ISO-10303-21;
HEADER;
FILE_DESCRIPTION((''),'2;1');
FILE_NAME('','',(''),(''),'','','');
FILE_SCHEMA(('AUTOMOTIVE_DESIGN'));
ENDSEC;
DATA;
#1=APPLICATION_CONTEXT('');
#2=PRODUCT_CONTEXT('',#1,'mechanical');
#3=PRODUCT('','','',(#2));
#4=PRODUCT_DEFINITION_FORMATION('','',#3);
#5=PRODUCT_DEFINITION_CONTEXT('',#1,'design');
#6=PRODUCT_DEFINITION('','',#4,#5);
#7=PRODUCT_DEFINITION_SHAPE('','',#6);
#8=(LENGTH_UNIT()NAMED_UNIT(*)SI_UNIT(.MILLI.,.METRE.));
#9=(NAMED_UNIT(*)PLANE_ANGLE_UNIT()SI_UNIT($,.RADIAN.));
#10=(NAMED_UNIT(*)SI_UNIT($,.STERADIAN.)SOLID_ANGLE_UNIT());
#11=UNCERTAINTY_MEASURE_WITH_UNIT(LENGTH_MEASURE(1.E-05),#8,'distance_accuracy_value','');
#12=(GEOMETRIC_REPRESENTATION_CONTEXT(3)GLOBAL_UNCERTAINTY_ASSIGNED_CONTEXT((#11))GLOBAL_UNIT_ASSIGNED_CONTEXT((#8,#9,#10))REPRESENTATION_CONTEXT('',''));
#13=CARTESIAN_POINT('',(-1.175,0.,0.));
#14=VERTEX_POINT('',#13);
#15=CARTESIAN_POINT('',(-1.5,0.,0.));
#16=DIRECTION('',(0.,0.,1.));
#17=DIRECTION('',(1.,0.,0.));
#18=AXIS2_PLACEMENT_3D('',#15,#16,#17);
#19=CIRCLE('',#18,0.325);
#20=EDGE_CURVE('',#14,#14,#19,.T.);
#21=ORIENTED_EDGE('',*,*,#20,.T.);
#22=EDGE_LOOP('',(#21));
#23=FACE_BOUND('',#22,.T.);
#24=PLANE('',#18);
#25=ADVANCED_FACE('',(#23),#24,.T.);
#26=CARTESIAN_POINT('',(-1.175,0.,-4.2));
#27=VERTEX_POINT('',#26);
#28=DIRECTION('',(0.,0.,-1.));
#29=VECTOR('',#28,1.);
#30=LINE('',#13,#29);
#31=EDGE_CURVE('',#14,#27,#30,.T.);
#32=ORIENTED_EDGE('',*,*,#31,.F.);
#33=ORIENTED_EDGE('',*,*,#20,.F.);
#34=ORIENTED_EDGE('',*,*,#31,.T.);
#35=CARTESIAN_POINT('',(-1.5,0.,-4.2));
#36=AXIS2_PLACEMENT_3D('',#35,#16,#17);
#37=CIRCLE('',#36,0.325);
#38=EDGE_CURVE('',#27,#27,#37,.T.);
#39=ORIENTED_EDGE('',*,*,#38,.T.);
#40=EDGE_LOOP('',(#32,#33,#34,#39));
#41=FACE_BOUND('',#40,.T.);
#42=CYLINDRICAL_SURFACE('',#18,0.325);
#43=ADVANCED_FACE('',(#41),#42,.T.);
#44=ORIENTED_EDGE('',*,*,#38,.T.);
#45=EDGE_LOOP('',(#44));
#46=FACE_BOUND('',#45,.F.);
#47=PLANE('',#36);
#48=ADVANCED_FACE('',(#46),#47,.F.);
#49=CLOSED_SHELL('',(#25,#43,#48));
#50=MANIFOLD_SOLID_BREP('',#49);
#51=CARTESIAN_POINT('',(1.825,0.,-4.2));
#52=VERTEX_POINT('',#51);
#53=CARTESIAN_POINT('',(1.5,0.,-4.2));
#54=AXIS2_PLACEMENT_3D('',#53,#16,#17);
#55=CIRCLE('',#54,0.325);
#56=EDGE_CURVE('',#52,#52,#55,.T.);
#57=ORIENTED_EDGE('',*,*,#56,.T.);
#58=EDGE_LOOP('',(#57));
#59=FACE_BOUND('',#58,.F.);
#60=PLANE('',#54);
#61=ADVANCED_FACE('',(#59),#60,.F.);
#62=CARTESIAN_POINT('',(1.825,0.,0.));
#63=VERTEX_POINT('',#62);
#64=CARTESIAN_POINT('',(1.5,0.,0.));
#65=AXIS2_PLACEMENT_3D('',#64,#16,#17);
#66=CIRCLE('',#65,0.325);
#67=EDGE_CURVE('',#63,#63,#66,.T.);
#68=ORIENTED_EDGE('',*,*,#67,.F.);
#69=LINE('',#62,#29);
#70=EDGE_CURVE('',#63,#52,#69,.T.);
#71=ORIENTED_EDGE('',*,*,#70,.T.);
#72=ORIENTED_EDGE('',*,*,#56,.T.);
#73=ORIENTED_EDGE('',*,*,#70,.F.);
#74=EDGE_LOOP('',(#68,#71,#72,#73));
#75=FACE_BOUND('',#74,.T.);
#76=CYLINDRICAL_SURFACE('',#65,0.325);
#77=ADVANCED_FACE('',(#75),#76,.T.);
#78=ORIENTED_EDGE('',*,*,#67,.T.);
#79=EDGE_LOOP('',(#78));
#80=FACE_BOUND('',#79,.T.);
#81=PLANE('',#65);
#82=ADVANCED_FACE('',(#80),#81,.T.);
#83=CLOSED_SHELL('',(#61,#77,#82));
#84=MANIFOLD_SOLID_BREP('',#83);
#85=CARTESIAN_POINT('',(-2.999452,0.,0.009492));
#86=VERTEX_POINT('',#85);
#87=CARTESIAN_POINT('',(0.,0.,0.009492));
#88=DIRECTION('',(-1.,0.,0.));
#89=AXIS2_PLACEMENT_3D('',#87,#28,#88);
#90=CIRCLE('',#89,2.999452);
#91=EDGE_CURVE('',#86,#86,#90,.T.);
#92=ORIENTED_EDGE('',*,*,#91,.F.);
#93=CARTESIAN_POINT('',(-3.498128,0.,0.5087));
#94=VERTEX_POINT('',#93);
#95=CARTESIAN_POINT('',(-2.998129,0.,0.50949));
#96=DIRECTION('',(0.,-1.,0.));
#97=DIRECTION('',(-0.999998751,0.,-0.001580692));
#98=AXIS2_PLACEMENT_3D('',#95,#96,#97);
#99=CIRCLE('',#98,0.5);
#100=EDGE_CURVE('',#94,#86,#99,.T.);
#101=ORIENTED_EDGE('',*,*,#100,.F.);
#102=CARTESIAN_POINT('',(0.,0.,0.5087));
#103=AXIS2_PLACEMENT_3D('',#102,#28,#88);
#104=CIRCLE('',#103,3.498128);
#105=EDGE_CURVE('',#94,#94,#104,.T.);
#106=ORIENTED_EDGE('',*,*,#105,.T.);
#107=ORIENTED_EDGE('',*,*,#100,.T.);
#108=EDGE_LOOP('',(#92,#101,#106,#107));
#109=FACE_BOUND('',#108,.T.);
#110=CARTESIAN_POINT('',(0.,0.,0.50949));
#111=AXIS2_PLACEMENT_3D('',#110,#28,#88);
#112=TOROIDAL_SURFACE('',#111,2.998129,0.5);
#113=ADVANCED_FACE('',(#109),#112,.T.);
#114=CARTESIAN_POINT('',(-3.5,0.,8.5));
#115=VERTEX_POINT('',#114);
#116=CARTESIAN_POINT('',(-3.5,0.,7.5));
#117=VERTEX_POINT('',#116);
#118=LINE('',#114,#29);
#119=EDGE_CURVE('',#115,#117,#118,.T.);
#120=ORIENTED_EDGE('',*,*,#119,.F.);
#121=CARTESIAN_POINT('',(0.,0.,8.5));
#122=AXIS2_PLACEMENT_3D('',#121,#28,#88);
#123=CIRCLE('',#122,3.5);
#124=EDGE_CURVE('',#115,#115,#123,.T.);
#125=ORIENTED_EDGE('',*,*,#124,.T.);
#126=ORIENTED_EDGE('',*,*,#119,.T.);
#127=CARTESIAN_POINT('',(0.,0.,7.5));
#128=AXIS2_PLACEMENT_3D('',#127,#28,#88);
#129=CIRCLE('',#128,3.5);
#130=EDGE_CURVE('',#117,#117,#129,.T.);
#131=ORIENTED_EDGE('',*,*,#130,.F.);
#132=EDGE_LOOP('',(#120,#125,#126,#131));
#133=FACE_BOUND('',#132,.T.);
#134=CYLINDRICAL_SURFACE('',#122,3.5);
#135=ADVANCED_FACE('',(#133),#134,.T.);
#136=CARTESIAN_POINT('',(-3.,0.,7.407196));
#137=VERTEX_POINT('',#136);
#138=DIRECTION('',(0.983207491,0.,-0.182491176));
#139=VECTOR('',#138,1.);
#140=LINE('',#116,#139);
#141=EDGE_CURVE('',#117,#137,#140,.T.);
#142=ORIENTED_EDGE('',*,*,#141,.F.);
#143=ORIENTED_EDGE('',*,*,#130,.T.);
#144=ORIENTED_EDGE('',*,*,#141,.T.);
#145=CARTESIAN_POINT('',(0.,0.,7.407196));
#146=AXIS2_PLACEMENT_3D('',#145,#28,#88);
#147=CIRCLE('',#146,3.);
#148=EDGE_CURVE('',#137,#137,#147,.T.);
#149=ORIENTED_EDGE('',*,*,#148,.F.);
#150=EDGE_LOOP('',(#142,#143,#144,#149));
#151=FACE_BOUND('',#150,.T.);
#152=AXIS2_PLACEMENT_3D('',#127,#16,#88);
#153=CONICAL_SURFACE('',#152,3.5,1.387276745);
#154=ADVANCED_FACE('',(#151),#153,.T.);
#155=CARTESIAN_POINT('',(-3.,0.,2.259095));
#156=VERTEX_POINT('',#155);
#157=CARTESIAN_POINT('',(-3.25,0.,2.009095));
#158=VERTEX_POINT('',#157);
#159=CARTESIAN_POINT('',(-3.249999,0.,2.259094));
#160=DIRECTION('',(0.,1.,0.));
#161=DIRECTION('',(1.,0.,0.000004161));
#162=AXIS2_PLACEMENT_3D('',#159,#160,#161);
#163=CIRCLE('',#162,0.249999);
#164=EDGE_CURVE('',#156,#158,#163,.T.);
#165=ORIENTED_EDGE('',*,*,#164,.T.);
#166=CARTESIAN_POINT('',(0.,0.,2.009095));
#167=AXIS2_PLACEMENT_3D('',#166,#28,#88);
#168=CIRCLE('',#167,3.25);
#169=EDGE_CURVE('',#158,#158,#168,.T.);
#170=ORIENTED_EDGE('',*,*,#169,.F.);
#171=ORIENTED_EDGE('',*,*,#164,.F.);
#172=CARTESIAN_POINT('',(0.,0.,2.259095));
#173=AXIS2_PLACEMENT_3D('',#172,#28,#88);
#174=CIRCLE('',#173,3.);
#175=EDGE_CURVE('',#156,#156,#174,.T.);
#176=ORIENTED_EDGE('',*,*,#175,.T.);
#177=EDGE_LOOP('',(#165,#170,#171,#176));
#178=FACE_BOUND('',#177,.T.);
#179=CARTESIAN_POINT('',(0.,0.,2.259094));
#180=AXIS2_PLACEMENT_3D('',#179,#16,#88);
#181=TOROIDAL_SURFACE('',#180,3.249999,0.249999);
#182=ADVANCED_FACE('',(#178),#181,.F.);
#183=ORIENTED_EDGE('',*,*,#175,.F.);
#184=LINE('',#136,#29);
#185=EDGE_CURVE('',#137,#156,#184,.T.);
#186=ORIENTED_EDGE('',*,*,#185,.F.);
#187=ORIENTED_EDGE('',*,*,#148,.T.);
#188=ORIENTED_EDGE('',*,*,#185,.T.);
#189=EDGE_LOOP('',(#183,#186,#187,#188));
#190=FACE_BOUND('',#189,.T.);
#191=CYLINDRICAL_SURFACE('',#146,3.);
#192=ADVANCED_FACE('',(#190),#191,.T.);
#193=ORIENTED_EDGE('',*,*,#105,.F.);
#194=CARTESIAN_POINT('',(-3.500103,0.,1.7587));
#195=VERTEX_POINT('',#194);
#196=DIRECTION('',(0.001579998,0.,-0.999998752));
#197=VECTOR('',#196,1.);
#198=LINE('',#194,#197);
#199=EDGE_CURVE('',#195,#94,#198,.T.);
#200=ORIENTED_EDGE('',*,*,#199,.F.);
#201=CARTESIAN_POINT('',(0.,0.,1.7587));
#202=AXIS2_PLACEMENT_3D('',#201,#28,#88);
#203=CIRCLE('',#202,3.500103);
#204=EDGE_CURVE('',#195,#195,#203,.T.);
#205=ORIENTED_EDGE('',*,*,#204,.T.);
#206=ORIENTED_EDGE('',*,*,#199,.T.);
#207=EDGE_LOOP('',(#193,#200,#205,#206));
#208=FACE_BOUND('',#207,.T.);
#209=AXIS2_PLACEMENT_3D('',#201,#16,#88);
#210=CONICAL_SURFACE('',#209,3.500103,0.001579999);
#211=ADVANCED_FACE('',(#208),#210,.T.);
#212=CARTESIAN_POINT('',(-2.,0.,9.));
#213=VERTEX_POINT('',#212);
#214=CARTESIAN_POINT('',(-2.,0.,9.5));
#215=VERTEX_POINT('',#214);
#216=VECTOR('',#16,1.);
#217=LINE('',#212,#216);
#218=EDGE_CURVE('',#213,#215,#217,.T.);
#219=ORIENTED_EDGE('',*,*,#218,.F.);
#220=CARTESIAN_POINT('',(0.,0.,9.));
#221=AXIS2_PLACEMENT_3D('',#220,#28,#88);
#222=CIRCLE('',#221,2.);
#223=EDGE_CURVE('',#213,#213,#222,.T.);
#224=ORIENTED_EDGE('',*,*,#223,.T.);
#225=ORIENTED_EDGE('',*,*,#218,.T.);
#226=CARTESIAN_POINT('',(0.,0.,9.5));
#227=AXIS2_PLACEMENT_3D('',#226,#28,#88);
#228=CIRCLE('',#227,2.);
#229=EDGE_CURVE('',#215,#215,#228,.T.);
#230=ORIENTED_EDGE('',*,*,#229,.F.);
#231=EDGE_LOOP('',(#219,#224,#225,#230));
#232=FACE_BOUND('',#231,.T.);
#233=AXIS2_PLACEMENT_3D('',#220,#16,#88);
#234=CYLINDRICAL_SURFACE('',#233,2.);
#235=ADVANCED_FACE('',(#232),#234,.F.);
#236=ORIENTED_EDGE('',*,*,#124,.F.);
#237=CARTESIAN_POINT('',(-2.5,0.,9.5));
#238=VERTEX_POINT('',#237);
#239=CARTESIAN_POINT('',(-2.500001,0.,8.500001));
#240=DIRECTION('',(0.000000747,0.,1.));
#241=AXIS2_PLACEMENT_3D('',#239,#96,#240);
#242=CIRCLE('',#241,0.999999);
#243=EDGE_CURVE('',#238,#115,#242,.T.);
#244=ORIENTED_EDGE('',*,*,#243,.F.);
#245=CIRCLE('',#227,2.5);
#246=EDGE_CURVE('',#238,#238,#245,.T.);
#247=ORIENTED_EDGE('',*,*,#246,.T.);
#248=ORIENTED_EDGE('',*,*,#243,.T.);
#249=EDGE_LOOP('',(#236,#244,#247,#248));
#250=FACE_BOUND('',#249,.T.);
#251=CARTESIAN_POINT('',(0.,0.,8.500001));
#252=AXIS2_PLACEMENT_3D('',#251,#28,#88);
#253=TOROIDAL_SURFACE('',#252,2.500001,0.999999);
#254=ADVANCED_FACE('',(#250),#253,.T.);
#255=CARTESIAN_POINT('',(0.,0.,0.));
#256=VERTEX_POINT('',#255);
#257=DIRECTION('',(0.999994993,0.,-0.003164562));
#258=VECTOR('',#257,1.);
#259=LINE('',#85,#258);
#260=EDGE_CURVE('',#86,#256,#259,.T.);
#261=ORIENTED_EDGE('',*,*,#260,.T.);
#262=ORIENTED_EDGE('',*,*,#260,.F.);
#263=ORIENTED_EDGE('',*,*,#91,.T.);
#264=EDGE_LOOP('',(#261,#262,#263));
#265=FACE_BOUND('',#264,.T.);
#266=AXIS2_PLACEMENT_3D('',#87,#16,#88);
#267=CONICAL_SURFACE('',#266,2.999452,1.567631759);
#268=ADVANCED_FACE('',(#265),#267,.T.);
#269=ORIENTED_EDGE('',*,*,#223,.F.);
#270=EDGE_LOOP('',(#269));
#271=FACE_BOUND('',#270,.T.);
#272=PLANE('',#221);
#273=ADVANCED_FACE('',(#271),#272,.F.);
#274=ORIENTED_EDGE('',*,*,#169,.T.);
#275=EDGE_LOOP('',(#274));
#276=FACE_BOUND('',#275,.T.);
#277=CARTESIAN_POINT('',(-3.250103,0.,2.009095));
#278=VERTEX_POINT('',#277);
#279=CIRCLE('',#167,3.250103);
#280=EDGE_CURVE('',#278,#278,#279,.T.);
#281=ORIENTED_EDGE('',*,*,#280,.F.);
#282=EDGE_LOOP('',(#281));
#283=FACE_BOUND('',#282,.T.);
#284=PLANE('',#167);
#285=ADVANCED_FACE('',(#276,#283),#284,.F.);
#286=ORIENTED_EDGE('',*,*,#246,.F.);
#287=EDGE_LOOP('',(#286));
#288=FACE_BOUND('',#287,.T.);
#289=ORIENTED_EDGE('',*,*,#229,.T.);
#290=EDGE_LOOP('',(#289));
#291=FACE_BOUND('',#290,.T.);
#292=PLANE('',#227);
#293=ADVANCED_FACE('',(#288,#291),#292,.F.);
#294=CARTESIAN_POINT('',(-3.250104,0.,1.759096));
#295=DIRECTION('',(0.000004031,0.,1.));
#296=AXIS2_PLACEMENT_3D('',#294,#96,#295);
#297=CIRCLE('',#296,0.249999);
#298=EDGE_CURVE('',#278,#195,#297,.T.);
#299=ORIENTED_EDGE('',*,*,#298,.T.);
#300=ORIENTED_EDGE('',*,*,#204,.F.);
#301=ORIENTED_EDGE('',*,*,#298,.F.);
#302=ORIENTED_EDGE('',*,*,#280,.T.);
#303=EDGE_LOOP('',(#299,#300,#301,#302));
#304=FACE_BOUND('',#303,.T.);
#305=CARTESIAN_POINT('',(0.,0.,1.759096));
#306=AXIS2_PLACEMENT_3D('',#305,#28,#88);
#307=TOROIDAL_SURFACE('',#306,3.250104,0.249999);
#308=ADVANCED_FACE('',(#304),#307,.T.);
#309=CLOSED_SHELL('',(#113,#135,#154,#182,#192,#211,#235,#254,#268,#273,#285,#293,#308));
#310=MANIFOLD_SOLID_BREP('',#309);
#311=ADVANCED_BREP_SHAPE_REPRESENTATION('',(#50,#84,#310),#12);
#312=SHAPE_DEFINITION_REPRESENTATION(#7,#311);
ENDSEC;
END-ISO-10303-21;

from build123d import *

# Parameters (mm, degrees)
F2_R     = 0.325
F3_DEPTH = 4.2


with BuildPart() as f1:
    # F0 (on Front) → F1 (revolve)
    with BuildSketch(Plane.XZ):
        with BuildLine():
            Line((0, 9), (-2, 9))
            Line((-2, 9), (-2, 9.5))
            Line((-2, 9.5), (-2.5, 9.5))
            ThreePointArc((-2.5, 9.5), (-3.207107, 9.207107), (-3.5, 8.5))
            Line((-3.5, 8.5), (-3.5, 7.5))
            Line((-3.5, 7.5), (-3, 7.407196))
            Line((-3, 7.407196), (-3, 2.259095))
            ThreePointArc((-3, 2.259095), (-3.073223, 2.082318), (-3.25, 2.009095))
            Line((-3.25, 2.009095), (-3.250103, 2.009095))
            ThreePointArc((-3.250103, 2.009095), (-3.42702, 1.935732), (-3.500103, 1.7587))
            Line((-3.500103, 1.7587), (-3.498128, 0.5087))
            ThreePointArc((-3.498128, 0.5087), (-3.35187, 0.156125), (-2.999452, 0.009492))
            Line((-2.999452, 0.009492), (0, 0))
            Line((0, 0), (0, 9))
        make_face()
    revolve(axis=Axis((0, 0, 4.5), (0, 0, -1)))


with BuildPart() as f3:
    # F2 (on Top) → F3 (new body)
    with BuildSketch(Plane.XY):
        with BuildLine():
            ThreePointArc((1.175, 0), (1.5, -0.325), (1.825, 0))
            ThreePointArc((1.825, 0), (1.5, 0.325), (1.175, 0))
        make_face()
        with Locations((-1.5, 0)):
            Circle(F2_R)
    extrude(amount=-F3_DEPTH)


solid = Compound([f1.part, f3.part])
